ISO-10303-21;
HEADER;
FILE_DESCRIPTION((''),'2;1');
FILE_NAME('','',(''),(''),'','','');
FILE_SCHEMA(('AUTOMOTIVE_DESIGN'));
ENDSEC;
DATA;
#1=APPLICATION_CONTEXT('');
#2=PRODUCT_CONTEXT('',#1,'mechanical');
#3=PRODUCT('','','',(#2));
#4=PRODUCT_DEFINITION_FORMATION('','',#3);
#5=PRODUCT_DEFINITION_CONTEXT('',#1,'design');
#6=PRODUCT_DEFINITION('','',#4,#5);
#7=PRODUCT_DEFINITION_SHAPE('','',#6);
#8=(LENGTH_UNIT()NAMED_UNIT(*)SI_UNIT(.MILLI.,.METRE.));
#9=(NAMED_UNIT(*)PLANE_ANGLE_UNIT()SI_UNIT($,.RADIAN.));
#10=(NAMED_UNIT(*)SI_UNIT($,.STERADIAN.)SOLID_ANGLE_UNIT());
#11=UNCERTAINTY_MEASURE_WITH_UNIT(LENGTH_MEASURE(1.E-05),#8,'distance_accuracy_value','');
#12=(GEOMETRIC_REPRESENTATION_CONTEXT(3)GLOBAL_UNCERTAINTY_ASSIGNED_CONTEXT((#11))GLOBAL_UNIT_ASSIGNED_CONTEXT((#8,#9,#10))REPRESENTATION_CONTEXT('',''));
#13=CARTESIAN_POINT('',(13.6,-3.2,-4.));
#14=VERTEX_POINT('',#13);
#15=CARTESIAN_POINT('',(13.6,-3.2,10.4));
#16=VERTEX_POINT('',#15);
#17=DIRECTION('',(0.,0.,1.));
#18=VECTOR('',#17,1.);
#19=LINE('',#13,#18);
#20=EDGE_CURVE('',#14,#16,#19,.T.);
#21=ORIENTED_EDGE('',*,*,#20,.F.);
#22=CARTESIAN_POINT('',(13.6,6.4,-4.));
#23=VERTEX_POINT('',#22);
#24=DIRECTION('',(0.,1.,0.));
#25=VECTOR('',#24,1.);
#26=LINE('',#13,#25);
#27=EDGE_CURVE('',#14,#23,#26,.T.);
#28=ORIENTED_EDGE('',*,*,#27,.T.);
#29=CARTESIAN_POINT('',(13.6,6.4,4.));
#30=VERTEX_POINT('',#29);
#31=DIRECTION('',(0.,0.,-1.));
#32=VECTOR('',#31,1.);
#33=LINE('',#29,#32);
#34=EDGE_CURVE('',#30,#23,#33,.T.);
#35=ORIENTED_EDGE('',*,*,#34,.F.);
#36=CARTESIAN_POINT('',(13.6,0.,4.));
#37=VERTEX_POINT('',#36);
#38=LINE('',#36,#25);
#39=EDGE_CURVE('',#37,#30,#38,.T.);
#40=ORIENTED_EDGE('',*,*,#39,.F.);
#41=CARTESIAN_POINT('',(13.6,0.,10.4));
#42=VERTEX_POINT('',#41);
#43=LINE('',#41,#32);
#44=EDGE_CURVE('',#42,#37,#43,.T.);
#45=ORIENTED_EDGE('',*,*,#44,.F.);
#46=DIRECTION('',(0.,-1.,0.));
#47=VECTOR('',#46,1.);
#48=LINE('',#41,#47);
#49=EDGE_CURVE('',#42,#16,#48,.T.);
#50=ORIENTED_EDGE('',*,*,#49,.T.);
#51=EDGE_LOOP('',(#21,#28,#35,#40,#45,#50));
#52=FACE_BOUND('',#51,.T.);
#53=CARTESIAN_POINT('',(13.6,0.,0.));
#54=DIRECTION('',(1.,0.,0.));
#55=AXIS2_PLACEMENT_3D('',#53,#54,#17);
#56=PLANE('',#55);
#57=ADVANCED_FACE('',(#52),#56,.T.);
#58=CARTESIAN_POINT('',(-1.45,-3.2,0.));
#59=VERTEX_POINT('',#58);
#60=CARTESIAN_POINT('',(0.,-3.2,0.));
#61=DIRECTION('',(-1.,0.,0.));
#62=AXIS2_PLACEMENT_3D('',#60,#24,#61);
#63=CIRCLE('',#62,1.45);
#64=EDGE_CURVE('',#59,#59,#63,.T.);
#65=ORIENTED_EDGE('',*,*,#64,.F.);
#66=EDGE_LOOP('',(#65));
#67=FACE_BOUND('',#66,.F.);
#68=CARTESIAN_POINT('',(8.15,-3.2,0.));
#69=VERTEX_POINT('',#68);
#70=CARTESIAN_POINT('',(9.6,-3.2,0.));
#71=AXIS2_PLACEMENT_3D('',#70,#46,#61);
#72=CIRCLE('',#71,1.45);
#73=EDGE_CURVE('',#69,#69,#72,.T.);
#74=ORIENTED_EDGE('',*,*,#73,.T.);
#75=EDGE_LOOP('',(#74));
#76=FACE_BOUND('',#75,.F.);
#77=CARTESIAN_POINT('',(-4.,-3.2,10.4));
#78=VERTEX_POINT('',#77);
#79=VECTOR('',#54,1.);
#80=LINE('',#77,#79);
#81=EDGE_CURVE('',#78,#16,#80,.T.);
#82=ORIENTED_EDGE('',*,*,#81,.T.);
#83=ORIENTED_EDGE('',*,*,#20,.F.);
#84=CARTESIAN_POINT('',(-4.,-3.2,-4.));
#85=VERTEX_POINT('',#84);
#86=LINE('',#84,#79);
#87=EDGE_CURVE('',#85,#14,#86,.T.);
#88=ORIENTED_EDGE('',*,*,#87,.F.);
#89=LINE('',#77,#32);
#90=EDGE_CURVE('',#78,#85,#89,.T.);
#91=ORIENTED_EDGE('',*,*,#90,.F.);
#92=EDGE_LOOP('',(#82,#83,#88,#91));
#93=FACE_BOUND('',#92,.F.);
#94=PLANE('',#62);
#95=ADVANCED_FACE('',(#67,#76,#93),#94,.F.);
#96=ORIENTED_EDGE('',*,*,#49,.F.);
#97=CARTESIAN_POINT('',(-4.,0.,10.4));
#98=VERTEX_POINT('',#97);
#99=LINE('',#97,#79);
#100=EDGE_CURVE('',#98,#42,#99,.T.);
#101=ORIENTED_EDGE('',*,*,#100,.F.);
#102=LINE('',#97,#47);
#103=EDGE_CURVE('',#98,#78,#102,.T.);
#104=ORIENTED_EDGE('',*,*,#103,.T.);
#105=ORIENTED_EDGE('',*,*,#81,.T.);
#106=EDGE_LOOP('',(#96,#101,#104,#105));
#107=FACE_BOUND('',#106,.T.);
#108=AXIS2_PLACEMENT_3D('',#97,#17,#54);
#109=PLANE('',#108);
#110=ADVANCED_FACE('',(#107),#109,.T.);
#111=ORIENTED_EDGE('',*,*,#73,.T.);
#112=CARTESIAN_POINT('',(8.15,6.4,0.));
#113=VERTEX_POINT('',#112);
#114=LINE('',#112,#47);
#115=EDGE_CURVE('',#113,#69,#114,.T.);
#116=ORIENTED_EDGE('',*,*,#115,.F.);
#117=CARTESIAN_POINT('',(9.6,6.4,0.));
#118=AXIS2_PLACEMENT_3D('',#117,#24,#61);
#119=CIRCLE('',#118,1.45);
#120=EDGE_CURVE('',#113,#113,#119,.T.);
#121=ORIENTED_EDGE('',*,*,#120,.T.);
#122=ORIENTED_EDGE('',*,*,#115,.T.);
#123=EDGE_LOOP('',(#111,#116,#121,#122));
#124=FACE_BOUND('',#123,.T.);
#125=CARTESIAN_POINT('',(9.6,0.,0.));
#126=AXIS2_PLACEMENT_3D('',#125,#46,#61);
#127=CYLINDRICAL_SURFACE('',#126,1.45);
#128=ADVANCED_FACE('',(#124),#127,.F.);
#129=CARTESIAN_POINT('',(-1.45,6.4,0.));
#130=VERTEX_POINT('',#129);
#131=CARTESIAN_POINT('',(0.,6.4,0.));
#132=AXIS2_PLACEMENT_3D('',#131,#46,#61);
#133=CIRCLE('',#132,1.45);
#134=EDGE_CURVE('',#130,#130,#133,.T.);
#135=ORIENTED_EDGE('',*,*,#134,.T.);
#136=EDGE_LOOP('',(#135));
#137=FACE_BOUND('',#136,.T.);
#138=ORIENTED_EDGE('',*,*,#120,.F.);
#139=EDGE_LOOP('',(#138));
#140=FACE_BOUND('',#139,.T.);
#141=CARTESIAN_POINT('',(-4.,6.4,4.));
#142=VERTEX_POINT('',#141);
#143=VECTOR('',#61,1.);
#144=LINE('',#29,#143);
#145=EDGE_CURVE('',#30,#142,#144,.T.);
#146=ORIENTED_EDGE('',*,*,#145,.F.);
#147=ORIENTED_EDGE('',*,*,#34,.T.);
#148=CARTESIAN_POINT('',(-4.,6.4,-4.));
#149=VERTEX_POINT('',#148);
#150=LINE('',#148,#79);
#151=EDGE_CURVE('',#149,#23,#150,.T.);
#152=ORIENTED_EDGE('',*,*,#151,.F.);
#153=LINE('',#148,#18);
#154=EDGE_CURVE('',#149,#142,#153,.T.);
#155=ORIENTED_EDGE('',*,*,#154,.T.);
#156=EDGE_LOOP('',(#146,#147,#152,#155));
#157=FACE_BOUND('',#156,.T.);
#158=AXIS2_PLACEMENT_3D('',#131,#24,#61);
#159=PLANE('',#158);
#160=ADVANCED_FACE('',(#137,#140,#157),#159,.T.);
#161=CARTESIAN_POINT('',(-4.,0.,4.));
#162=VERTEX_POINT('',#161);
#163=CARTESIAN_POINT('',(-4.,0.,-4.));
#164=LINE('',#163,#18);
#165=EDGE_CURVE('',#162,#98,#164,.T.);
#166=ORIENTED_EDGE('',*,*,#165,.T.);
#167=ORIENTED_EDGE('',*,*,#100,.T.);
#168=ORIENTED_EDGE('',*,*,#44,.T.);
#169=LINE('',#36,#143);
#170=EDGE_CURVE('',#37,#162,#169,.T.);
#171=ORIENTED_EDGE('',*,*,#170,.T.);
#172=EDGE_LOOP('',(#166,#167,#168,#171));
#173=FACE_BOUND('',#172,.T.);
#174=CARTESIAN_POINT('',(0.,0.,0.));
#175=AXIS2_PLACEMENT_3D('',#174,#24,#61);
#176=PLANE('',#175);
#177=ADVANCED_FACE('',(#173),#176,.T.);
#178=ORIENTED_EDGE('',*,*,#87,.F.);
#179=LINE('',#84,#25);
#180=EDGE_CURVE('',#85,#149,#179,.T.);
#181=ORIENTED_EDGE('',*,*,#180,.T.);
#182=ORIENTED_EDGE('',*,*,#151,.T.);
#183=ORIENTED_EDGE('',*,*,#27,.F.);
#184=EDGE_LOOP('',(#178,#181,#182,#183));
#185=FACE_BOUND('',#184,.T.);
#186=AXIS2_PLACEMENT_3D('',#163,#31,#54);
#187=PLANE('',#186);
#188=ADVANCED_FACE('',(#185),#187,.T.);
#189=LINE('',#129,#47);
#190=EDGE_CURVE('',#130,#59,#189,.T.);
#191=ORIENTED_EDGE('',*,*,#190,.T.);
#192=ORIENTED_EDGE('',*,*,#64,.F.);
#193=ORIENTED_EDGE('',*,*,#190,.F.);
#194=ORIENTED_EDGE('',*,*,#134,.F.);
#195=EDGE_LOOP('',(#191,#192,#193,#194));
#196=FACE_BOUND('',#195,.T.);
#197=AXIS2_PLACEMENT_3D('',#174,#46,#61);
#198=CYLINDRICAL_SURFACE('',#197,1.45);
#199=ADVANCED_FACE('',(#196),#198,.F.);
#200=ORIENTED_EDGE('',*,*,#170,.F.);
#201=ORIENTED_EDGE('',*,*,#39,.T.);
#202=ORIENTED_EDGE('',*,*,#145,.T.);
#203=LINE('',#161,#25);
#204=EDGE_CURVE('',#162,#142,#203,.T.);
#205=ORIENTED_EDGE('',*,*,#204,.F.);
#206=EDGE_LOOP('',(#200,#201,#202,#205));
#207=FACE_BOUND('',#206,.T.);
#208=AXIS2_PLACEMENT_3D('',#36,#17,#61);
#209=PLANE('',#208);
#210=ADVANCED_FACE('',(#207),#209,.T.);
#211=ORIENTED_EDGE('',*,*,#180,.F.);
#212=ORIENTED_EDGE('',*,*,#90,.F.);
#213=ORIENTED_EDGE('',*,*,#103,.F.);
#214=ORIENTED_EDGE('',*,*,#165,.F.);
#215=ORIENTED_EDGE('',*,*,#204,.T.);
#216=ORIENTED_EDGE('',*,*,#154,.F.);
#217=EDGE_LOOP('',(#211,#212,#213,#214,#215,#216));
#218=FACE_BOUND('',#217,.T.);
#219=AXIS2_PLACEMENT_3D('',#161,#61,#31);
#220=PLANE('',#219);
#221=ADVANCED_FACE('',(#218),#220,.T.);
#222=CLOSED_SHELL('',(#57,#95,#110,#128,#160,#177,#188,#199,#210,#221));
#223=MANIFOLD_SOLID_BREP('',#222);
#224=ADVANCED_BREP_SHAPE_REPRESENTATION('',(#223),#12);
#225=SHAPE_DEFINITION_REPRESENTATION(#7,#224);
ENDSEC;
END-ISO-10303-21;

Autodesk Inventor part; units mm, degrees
ref_plane "YZ Plane" through (0, 0, 0) normal (1, 0, 0) x (0, 1, 0)
ref_plane "XZ Plane" through (0, 0, 0) normal (0, 1, 0) x (-1, 0, 0)
ref_plane "XY Plane" through (0, 0, 0) normal (0, 0, 1) x (1, 0, 0)
sketch "Sketch1" plane through (0, 0, 0) normal (0, 1, 0) x (-1, 0, 0)
  line L0 (0, 0) -> (-9.6, 0)
  circle A0 centre (0, 0) radius 1.45
  circle A1 centre (-9.6, 0) radius 1.45
  line L1 (0, 0) -> (4, 0)
  line L2 (4, 0) -> (4, -4)
  line L3 (-9.6, 0) -> (-13.6, 0)
  line L4 (-13.6, 0) -> (-13.6, 4)
  line L5 (4, -4) -> (-13.6, -4)
  line L6 (-13.6, -4) -> (-13.6, 4)
  line L7 (-13.6, 4) -> (4, 4)
  line L8 (4, 4) -> (4, -4)
  line L9 (4, 4) -> (4, 10.4)
  line L10 (4, 10.4) -> (-13.6, 10.4)
  line L11 (-13.6, 10.4) -> (-13.6, 4)
  dimension "d0" = 9.6
  dimension "d1" = 2.9
  dimension "d4" = 4
  dimension "d7" = 6.4
extrude "Extrusion1" add sketch "Sketch1" along normal blind 6.4 contours A1 L3 L4 L7 L8 L1 A0 L0 | L0 A0 L1 L2 L5 L6 L3 A1
extrude "Extrusion2" add sketch "Sketch1" against normal blind 3.2 contours A1 L3 L4 L7 L8 L1 A0 L0 | L0 A0 L1 L2 L5 L6 L3 A1 | L11 L10 L9 L7
properties part number "deadbolt enclosure wall holder bracket"
